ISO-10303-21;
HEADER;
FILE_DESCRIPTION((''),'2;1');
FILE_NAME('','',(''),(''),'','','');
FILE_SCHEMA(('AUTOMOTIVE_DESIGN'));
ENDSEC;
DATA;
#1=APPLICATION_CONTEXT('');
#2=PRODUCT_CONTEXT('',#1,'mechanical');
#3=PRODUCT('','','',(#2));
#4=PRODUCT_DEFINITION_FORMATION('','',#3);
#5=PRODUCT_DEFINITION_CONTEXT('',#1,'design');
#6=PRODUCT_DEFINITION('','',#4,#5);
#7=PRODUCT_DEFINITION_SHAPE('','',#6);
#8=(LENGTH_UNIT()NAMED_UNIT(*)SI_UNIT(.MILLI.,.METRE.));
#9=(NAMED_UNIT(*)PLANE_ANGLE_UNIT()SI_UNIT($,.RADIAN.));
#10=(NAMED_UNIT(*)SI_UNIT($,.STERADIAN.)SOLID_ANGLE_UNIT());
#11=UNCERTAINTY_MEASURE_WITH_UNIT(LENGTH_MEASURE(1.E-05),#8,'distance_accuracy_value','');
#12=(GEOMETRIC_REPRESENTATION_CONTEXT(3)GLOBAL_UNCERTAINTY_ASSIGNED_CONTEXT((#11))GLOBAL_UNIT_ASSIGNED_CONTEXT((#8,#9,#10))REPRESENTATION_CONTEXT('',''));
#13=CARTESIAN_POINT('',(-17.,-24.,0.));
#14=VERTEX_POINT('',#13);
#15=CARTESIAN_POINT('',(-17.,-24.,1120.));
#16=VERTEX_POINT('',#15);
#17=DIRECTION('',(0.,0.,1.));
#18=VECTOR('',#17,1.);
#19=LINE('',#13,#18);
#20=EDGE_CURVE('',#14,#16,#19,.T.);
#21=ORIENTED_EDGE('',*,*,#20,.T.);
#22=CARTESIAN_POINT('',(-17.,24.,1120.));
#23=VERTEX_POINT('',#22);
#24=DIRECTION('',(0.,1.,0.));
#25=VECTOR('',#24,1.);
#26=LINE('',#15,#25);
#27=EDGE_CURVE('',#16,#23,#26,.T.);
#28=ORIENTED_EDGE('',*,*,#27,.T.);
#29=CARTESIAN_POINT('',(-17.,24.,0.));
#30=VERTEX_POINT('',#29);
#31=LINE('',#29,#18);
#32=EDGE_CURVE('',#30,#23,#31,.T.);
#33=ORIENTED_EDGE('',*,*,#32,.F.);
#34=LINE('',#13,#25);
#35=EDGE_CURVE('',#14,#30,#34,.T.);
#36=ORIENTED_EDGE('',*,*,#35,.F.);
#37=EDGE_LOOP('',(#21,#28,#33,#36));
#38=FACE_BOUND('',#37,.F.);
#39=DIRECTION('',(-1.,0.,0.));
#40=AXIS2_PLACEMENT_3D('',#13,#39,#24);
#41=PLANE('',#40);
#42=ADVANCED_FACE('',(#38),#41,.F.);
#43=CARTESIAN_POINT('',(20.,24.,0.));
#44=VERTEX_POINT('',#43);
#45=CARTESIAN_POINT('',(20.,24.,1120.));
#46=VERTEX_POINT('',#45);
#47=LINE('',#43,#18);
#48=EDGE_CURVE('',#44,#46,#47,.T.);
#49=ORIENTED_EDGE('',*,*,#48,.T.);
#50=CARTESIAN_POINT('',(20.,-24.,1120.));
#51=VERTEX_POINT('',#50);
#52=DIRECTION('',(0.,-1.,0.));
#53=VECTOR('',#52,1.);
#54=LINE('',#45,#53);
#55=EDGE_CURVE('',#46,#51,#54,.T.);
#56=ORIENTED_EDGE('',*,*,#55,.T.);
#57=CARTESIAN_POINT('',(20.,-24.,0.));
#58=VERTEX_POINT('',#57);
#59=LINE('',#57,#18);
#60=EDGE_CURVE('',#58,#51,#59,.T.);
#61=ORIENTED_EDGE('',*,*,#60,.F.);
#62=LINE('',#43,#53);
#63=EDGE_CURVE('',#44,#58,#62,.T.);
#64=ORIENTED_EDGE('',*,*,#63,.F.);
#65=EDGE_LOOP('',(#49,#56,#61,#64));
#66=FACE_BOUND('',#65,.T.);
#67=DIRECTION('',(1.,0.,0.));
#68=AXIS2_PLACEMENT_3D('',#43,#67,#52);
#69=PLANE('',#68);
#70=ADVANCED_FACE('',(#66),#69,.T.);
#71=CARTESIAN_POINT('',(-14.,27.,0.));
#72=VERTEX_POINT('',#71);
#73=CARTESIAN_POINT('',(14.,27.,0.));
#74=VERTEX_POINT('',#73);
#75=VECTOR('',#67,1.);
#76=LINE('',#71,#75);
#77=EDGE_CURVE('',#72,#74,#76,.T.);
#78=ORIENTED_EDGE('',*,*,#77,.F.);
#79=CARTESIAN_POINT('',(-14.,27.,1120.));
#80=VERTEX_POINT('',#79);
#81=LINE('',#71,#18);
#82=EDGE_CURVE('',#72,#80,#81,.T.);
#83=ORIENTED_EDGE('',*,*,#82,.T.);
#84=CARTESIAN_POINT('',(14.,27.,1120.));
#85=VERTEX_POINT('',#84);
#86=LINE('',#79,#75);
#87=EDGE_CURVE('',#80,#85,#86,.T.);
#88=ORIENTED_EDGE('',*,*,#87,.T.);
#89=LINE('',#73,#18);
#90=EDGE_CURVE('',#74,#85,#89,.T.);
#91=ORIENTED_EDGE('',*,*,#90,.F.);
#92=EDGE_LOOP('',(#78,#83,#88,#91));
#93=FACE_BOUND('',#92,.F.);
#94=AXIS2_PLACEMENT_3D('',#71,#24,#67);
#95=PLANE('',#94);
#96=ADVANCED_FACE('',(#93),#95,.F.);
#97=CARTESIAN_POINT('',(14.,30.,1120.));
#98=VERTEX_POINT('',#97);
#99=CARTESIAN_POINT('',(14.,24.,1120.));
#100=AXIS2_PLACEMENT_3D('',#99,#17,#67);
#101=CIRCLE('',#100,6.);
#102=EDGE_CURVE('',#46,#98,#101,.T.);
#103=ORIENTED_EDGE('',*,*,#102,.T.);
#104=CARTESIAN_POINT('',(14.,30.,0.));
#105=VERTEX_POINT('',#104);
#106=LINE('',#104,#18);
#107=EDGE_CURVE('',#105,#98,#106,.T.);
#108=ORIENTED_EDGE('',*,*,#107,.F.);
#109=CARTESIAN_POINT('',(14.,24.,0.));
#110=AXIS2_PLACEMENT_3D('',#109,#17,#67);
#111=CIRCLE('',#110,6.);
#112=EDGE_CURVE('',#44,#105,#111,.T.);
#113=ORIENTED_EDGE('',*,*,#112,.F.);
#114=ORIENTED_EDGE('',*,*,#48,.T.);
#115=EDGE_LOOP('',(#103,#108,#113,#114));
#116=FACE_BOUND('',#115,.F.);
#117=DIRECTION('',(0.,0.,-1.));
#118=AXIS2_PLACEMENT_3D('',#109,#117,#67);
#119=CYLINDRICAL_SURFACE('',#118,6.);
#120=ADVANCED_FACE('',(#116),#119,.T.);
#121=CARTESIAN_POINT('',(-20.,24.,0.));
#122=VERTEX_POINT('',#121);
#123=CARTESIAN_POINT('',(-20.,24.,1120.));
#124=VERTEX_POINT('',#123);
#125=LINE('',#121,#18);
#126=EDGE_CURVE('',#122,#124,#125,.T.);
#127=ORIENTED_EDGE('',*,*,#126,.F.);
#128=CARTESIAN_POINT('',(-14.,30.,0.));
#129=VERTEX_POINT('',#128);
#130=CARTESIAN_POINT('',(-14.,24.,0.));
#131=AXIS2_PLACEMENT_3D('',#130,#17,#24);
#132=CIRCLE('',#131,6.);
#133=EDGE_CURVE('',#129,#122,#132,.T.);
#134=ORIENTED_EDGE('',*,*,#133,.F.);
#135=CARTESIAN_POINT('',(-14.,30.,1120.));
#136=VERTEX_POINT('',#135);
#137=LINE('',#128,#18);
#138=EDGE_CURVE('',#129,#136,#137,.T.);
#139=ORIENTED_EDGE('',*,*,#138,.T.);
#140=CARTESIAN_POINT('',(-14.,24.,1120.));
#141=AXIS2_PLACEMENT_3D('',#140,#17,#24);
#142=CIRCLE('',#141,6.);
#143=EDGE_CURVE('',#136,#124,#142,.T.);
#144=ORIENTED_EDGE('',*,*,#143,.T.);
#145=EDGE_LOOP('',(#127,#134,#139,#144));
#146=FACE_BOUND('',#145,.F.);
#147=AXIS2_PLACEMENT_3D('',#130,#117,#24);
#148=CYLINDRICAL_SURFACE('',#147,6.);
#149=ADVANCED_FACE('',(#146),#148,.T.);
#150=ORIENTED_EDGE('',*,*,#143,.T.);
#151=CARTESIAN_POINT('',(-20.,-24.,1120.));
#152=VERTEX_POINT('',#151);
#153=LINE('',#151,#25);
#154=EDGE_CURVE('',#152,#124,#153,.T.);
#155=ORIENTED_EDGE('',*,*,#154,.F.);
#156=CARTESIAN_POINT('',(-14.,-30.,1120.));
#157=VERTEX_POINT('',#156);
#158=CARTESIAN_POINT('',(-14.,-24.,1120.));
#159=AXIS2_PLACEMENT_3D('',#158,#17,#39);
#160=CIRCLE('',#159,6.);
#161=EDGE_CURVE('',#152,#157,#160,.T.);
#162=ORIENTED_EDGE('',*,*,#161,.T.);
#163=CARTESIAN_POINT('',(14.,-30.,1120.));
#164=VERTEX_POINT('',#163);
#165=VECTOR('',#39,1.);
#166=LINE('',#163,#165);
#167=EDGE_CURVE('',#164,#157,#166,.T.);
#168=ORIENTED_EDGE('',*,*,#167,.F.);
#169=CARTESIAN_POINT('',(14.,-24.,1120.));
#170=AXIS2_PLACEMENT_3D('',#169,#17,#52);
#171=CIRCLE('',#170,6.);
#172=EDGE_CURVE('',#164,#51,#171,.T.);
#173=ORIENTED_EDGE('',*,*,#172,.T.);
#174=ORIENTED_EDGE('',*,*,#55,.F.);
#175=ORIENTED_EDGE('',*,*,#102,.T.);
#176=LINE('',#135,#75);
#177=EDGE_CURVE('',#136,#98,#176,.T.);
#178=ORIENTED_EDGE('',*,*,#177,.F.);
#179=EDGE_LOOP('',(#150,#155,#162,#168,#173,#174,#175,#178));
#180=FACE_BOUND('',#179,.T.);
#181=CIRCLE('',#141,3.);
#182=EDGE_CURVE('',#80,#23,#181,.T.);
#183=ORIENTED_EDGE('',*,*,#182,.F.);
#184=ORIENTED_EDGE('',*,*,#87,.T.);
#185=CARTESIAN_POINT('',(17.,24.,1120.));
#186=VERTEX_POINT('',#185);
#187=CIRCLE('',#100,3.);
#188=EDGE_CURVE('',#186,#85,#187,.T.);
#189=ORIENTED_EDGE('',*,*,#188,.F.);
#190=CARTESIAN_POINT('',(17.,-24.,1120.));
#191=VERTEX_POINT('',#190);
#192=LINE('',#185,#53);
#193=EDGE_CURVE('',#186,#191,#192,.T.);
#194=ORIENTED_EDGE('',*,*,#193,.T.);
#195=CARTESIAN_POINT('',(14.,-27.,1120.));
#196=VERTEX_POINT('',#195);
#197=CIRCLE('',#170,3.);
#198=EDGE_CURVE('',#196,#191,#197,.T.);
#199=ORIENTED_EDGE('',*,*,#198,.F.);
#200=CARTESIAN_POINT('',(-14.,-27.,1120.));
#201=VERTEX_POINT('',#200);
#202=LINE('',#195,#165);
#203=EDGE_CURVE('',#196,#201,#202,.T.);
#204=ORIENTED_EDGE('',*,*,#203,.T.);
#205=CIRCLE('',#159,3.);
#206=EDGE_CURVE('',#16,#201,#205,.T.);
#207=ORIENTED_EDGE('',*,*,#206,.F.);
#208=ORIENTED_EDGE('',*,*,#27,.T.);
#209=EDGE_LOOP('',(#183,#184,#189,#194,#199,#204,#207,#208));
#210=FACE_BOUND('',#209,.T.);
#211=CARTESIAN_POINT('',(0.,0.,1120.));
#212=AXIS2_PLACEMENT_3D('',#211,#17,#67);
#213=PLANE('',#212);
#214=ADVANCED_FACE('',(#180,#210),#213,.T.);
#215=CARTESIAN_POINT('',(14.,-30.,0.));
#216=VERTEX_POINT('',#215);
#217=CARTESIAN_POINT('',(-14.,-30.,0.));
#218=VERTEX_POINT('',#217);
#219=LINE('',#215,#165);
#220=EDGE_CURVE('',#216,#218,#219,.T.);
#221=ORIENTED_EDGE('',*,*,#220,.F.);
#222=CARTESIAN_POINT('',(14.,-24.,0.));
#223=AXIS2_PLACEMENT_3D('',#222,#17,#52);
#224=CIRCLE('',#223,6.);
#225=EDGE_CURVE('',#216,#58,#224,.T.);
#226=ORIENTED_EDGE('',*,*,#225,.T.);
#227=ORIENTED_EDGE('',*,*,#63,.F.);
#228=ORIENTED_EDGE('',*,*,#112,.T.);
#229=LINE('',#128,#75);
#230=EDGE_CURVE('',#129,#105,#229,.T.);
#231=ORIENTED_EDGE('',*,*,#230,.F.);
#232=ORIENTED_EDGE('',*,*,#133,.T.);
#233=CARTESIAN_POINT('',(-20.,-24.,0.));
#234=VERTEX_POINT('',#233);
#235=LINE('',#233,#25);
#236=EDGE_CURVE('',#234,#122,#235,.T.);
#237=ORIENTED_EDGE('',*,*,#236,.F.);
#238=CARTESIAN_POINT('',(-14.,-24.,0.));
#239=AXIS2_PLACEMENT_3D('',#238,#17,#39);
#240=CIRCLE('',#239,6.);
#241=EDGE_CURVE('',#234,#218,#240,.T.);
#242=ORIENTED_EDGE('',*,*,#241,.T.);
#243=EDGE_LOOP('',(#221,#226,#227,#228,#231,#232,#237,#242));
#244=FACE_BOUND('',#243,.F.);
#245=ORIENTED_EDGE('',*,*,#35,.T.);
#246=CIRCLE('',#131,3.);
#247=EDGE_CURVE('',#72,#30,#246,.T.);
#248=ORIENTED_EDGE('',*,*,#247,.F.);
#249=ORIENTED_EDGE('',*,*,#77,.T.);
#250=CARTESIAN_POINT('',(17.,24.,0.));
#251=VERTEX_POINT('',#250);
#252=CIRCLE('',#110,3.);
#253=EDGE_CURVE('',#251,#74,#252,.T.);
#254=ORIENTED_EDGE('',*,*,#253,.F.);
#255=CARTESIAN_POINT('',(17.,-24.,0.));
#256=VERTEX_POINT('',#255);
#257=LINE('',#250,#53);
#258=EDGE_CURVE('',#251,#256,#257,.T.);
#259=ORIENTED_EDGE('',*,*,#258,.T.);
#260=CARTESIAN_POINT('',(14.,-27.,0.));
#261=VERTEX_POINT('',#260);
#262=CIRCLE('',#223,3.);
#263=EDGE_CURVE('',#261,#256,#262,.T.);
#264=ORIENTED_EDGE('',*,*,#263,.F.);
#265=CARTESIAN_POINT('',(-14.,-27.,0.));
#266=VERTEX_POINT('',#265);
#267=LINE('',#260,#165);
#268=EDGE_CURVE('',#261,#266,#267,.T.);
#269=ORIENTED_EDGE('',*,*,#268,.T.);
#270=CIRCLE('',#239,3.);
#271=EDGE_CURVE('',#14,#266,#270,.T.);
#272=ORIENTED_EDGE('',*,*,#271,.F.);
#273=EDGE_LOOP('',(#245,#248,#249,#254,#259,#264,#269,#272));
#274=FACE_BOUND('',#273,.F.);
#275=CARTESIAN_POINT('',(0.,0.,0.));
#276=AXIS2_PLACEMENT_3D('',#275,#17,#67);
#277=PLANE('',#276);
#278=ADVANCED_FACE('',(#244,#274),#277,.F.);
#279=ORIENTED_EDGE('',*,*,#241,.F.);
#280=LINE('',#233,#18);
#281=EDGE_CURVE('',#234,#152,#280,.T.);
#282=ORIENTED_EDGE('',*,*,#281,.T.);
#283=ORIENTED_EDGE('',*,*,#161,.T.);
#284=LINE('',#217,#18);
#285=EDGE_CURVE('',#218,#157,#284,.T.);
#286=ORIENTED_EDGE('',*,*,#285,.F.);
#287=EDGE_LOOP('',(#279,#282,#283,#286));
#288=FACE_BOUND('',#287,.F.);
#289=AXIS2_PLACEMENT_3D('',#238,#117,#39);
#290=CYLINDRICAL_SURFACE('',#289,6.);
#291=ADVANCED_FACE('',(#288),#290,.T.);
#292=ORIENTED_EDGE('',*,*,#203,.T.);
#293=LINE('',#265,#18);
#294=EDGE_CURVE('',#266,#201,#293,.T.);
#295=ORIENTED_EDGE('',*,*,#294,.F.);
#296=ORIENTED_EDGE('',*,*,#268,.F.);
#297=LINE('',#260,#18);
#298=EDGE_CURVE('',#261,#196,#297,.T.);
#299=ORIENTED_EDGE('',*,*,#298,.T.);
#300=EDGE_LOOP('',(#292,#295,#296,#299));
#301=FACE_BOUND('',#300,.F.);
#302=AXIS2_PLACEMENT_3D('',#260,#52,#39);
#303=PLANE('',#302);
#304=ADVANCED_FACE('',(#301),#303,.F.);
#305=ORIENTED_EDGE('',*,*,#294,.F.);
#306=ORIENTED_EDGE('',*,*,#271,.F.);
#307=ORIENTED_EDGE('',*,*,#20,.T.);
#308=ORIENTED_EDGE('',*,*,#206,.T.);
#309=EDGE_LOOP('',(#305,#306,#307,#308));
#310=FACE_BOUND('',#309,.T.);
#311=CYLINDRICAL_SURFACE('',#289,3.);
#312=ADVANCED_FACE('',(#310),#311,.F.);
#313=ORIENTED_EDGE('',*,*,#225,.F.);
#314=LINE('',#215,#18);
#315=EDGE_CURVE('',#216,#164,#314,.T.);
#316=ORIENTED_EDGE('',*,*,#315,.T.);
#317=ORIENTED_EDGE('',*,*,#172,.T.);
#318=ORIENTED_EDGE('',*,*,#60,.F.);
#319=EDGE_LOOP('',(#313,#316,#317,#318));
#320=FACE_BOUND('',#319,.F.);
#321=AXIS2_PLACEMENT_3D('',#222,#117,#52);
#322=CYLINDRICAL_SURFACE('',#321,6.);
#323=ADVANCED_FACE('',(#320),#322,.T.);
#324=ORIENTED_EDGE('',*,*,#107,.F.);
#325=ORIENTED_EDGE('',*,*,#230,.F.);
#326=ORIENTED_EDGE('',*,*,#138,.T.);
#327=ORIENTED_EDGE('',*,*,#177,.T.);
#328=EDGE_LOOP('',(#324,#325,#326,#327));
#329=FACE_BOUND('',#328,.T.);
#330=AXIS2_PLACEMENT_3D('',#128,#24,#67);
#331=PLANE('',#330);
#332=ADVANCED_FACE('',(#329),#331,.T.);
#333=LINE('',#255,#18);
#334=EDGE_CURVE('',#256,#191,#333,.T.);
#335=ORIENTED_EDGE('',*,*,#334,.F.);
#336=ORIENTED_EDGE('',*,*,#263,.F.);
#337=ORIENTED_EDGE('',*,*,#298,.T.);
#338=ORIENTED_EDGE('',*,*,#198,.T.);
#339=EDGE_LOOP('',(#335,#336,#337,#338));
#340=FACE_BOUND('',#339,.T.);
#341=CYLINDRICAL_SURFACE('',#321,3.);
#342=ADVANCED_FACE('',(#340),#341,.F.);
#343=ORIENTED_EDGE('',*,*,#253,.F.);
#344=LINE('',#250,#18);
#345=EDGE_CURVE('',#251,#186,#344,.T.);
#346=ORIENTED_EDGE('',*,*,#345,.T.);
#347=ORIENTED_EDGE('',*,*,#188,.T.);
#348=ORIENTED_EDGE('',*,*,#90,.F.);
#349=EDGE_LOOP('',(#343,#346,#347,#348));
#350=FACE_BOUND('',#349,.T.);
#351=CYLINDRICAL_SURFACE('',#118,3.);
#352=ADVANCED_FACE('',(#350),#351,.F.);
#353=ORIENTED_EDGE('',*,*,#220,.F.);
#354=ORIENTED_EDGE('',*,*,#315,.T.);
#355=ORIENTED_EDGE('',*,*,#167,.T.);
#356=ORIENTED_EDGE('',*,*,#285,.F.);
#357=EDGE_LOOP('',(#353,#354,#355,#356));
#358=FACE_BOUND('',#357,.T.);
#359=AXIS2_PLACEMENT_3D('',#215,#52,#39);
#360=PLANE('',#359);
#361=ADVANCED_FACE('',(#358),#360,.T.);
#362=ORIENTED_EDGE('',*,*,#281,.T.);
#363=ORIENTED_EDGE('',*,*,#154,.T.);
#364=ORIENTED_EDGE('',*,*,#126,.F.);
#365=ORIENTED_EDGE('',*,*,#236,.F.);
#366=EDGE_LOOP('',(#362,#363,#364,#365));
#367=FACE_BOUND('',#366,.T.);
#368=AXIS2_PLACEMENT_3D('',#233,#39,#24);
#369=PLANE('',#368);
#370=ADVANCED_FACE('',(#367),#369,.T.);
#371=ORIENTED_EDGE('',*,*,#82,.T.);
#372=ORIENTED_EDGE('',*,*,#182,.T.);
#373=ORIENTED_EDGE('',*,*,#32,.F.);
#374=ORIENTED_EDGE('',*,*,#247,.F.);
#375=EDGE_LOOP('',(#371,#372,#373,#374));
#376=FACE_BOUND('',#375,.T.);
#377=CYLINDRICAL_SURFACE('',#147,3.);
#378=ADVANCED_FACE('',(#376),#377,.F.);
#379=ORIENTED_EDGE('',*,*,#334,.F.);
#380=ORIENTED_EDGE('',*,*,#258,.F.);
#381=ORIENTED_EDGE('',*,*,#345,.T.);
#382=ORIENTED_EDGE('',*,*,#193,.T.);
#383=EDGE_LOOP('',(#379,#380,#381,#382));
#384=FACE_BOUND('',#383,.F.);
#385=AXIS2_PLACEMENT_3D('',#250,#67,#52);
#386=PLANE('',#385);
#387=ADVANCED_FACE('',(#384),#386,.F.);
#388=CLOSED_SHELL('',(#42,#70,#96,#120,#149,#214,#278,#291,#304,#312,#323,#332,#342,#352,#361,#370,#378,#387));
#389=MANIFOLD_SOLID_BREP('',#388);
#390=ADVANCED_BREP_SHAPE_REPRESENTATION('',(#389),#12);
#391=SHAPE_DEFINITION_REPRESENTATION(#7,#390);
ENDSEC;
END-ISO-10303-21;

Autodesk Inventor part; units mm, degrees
ref_plane "YZ Plane" through (0, 0, 0) normal (1, 0, 0) x (0, 1, 0)
ref_plane "Start Plane" through (0, 0, 0) normal (0, 0, 1) x (1, 0, 0)
ref_plane "End Plane" through (0, 0, 1120) normal (0, 0, 1) x (1, 0, 0)
sketch "Sketch" plane through (0, 0, 0) normal (0, 0, 1) x (1, 0, 0)
  line L0 (-20, -24) -> (-20, 24)
  line L1 (-14, 30) -> (14, 30)
  line L2 (20, 24) -> (20, -24)
  line L3 (14, -30) -> (-14, -30)
  arc A0 (-20, -24) -> (-14, -30) centre (-14, -24) ccw
  arc A1 (20, 24) -> (14, 30) centre (14, 24) ccw
  arc A2 (-14, 30) -> (-20, 24) centre (-14, 24) ccw
  arc A3 (14, -30) -> (20, -24) centre (14, -24) ccw
  arc A4 (-14, 27) -> (-17, 24) centre (-14, 24) ccw
  line L4 (-14, 27) -> (14, 27)
  arc A5 (17, 24) -> (14, 27) centre (14, 24) ccw
  line L5 (17, 24) -> (17, -24)
  arc A6 (14, -27) -> (17, -24) centre (14, -24) ccw
  line L6 (14, -27) -> (-14, -27)
  arc A7 (-17, -24) -> (-14, -27) centre (-14, -24) ccw
  line L7 (-17, -24) -> (-17, 24)
  line L8 (0, 43.7397) -> (0, -43.7397) construction
  line L9 (-29.7397, 0) -> (29.7397, 0) construction
  dimension "d7" = 6
  dimension "d9" = 40
  dimension "d11" = 60
  dimension "d12" = 3
  dimension "d15" = 20
  dimension "d16" = 30
extrude "Body" add sketch "Sketch" along normal up to surface (1120 mm away) from surface at 0
sketch "Sketch3" plane through (0, 0, 0) normal (0, 0, 1) x (1, 0, 0)
  line L0 (0, 0) -> (10, 0)
ref_plane "Work Plane3" through (0, 0, 0) normal (0, -1, 0) x (1, 0, 0)
sketch "Sketch4" plane through (0, 0, 0) normal (0, -1, 0) x (1, 0, 0)
  line L0 (-2, 0) -> (12, 0) projected
  line L1 (-2, 1120) -> (12, 1120) projected
  dimension "d18" = 1120
equation "\"d7\" = G_IR"
equation "\"d9\" = G_W"
equation "\"d11\" = G_H"
equation "\"d12\" = G_T"
equation "\"d15\" = 0.5 * d9"
equation "\"d16\" = 0.5 * d11"
equation "\"d3\" = G_L"
equation "\"G_W\" = 40"
equation "\"G_H\" = 60"
equation "\"G_T\" = 3"
equation "\"G_IR\" = 6"
equation "\"G_L\" = d18"
equation "\"G_OFFSET_START\" = 0"
equation "\"G_OFFSET_END\" = 0"
properties part number "ISO 4019 - 60x40x3 - 1120" material "Steel, Mild"
